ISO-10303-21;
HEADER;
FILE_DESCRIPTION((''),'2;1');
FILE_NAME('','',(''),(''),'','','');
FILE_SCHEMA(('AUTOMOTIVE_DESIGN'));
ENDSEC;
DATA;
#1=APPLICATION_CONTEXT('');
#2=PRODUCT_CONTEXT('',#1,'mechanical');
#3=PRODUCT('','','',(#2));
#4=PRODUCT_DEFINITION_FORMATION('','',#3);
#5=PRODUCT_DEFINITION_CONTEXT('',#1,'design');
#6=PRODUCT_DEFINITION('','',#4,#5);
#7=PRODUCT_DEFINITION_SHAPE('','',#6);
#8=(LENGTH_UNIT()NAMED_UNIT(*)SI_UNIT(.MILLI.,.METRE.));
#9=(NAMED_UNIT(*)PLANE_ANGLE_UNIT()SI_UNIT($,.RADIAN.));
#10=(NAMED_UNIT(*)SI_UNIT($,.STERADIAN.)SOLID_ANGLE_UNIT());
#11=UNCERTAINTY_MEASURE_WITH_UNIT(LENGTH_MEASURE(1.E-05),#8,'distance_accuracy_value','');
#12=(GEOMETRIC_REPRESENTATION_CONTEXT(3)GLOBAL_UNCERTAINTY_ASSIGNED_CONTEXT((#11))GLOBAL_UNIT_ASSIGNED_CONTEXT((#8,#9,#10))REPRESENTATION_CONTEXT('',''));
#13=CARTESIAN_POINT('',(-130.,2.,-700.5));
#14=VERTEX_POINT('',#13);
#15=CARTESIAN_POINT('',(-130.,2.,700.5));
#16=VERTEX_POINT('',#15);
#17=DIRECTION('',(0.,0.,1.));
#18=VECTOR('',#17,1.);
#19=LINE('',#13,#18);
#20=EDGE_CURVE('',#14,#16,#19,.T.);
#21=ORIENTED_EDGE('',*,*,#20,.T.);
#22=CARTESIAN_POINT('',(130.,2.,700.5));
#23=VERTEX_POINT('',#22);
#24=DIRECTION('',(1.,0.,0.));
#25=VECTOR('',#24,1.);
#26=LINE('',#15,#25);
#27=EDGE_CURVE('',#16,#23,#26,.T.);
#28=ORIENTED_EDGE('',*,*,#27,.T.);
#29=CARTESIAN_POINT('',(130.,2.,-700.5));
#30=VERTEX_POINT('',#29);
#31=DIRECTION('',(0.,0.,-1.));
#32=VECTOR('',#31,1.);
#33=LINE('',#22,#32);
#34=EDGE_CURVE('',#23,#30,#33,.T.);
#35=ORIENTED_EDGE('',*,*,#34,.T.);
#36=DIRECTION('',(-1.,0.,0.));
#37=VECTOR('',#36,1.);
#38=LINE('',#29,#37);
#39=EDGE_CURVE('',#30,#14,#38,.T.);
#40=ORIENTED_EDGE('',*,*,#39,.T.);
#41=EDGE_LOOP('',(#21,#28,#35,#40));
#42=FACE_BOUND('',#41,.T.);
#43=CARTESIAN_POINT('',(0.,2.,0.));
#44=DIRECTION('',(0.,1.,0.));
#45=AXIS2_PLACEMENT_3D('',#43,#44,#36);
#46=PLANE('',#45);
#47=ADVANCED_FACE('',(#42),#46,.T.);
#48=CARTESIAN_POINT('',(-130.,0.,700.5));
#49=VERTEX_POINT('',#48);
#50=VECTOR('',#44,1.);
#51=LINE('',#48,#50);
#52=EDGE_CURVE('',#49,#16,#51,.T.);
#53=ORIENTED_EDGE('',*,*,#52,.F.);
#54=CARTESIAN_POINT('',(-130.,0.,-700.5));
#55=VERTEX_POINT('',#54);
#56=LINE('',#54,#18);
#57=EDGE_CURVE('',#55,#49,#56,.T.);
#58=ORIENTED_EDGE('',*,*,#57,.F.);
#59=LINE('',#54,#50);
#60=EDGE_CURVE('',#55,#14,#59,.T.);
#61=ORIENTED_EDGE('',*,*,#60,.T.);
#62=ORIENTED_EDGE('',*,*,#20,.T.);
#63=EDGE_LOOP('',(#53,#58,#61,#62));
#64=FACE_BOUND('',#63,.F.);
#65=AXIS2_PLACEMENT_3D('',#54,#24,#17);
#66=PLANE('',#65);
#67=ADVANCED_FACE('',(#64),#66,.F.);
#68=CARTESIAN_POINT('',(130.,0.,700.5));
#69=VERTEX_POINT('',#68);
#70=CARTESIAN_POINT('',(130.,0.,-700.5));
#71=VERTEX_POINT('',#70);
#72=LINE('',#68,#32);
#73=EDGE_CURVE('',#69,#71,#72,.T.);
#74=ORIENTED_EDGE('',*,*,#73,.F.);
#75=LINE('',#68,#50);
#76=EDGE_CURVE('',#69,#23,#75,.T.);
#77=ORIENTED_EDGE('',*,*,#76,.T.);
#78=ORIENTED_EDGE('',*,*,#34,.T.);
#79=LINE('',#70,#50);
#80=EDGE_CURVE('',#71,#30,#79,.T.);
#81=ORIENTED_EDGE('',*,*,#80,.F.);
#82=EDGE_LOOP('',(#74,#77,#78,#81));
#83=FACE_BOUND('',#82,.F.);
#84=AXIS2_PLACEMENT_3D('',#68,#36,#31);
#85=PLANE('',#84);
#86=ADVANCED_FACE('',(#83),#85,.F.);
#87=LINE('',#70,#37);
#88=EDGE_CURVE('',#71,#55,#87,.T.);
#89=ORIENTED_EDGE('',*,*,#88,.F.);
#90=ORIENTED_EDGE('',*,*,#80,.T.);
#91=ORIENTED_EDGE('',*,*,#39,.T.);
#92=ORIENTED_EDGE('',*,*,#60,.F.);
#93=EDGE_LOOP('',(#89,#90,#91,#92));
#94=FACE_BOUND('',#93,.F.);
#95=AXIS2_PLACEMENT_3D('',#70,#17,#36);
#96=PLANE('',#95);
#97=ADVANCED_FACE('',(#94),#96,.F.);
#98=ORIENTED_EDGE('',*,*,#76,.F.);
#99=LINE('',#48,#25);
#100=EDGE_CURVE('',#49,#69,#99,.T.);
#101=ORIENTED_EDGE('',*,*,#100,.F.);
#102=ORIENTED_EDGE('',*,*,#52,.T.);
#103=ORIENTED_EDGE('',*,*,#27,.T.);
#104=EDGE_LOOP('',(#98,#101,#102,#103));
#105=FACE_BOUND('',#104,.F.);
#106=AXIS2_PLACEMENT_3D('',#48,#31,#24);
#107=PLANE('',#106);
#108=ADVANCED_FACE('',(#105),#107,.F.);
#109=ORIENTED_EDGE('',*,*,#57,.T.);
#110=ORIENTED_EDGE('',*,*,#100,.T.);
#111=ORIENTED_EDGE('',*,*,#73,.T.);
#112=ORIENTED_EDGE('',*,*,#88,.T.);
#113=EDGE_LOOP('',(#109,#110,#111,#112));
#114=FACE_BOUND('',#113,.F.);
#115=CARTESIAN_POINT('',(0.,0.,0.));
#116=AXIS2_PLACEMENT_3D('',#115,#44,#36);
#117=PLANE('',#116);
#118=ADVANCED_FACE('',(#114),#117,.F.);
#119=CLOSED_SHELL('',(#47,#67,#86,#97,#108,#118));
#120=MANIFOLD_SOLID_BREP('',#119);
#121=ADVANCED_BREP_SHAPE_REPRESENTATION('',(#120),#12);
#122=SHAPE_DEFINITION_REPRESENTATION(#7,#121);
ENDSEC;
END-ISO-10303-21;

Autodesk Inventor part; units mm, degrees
ref_plane "YZ Plane" through (0, 0, 0) normal (1, 0, 0) x (0, 1, 0)
ref_plane "XZ Plane" through (0, 0, 0) normal (0, 1, 0) x (-1, 0, 0)
ref_plane "XY Plane" through (0, 0, 0) normal (0, 0, 1) x (1, 0, 0)
sketch "Sketch1" plane through (0, 0, 0) normal (0, 1, 0) x (-1, 0, 0)
  line L0 (130, 700.5) -> (-130, 700.5)
  line L1 (-130, 700.5) -> (-130, -700.5)
  line L2 (-130, -700.5) -> (130, -700.5)
  line L3 (130, -700.5) -> (130, 700.5)
  line L4 (130, 700.5) -> (-130, -700.5) construction
  line L5 (-130, 700.5) -> (130, -700.5) construction
  point P0 (0, 0)
  dimension "d0" = 260
  dimension "d1" = 1401
extrude "Plate1" add sketch "Sketch1" along normal blind 2
equation "\"d2\" = Thickness"
equation "\"BendRadius\" = Thickness"
equation "\"BendReliefWidth\" = Thickness"
equation "\"BendReliefDepth\" = 0.5 * Thickness"
equation "\"CornerReliefSize\" = 4 * Thickness"
equation "\"MinimumRemnant\" = 2 * Thickness"
equation "\"TransitionRadius\" = BendRadius"
equation "\"JacobiRadiusSize\" = BendRadius"
equation "\"GapSize\" = Thickness"
equation "\"Thickness\" = 2"
properties part number "Top base2"
